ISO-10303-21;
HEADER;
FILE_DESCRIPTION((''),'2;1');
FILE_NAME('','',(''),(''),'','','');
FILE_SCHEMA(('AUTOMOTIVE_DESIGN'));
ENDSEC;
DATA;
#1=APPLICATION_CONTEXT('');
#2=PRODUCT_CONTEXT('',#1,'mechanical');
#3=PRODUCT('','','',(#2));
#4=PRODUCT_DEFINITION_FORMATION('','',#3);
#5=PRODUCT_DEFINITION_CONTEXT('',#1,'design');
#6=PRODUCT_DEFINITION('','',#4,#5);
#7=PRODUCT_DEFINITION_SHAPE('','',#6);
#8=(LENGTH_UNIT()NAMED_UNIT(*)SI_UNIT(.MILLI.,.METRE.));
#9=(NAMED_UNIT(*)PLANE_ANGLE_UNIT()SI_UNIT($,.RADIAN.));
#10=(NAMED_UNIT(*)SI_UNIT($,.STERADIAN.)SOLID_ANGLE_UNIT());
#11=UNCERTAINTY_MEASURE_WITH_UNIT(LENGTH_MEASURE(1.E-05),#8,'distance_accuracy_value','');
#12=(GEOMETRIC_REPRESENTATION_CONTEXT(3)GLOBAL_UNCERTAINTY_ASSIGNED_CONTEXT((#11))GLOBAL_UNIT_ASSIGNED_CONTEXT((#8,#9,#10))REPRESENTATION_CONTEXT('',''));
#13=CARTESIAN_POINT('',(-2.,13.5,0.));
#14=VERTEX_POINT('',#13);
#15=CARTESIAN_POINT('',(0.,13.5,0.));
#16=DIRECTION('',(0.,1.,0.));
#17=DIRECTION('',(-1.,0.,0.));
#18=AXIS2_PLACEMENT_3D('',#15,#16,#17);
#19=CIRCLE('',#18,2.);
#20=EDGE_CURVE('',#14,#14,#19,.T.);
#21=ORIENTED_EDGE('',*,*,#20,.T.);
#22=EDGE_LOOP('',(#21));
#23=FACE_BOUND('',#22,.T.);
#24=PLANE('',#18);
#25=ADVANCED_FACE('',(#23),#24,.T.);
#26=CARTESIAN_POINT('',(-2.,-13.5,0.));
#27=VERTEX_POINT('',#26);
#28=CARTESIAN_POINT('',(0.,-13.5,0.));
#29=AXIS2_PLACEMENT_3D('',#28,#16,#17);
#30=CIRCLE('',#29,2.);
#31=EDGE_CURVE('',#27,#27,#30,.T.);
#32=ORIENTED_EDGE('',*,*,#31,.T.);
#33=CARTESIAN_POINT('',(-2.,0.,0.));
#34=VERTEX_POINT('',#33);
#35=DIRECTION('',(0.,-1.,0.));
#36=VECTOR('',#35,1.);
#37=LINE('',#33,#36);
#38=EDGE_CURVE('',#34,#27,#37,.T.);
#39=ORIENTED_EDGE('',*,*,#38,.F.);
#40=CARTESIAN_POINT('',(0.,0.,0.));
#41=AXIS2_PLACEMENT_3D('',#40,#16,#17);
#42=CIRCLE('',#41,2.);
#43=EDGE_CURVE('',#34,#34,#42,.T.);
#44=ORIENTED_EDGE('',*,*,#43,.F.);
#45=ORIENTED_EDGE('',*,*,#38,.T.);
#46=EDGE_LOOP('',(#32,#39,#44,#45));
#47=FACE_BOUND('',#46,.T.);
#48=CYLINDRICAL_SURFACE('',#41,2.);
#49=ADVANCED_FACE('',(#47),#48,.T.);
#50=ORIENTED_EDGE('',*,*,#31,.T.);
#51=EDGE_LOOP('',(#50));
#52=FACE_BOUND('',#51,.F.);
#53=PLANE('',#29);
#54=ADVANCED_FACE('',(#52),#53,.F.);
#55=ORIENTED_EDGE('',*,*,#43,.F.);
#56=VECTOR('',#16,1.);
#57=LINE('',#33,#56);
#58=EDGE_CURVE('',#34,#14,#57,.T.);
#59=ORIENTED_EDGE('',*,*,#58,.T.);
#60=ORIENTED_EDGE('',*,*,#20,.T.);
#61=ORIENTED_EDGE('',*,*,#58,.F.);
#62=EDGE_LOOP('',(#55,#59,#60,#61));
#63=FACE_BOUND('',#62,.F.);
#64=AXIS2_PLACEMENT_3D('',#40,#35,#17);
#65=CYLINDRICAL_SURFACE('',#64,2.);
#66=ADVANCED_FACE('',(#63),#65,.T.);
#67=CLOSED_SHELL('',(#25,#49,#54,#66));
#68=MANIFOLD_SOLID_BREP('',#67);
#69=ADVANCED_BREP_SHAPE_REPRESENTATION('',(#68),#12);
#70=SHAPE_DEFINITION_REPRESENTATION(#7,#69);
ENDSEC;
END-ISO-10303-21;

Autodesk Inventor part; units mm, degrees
sketch "Эскиз1" plane through (0, 0, 0) normal (0, 1, 0) x (-1, 0, 0)
  circle A0 centre (0, 0) radius 2
  dimension "d0" = 4
extrude "Выдавливание1" add sketch "Эскиз1" along normal mid plane 27
properties part number "Вал_ведомых_шестерн"
